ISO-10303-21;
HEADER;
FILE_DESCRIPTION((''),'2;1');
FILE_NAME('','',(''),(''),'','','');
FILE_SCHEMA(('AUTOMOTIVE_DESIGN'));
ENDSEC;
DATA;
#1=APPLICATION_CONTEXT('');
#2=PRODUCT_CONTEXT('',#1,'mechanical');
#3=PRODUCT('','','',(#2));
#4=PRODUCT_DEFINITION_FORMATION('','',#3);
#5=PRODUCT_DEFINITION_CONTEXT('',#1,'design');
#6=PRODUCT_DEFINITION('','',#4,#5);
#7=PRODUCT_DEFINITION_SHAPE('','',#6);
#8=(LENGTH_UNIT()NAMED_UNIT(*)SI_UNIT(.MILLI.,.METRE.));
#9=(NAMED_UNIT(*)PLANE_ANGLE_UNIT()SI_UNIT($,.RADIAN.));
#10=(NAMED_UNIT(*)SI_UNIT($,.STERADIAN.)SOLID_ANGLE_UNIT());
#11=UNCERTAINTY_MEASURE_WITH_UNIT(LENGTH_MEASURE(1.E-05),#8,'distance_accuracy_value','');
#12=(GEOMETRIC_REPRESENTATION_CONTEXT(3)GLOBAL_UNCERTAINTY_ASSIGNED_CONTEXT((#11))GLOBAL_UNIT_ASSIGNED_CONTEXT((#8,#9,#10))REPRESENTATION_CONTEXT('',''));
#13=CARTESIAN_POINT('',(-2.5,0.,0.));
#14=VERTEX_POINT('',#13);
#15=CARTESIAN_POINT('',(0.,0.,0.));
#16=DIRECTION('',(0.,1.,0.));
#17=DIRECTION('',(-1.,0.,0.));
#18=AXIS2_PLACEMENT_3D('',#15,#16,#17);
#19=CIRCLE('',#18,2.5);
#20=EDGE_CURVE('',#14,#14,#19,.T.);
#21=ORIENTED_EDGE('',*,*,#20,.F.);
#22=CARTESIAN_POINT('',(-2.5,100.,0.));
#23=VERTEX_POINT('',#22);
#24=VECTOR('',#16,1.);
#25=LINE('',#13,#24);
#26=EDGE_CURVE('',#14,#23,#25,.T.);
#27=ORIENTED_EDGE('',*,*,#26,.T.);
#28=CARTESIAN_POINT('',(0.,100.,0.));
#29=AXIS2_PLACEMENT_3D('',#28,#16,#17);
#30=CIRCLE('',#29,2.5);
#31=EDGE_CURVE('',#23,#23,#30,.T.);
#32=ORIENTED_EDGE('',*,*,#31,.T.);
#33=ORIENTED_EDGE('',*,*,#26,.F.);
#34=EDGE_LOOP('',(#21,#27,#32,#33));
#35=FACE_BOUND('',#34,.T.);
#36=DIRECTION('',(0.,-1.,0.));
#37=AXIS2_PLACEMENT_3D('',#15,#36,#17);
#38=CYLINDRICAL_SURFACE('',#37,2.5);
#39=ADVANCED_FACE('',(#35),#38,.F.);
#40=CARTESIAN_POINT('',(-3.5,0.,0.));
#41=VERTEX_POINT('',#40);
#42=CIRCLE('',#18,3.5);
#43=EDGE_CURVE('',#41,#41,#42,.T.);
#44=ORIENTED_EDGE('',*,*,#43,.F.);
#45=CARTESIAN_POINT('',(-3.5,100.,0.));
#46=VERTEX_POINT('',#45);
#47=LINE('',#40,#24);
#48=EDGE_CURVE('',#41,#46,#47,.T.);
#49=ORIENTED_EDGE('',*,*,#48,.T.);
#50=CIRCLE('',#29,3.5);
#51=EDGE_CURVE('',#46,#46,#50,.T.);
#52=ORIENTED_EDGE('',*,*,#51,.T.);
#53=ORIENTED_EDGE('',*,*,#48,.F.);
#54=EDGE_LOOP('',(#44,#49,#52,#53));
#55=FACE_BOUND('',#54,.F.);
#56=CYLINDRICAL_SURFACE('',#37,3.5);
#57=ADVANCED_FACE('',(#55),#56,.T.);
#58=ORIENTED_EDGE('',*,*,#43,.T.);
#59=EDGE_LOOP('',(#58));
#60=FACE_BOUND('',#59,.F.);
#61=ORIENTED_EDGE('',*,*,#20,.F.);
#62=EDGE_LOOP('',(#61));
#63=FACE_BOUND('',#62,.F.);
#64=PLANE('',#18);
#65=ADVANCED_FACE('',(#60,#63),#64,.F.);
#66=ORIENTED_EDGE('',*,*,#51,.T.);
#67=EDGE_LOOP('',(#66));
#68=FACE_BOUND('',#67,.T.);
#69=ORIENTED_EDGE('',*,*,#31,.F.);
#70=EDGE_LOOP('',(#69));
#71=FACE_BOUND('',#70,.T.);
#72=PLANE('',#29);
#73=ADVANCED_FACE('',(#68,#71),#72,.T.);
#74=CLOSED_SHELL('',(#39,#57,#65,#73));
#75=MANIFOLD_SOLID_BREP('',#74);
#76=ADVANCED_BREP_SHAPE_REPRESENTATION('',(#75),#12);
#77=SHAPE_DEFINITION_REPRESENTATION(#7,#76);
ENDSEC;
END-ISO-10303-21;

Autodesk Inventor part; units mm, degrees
ref_plane "YZ Plane" through (0, 0, 0) normal (1, 0, 0) x (0, 1, 0)
ref_plane "XZ Plane" through (0, 0, 0) normal (0, 1, 0) x (-1, 0, 0)
ref_plane "XY Plane" through (0, 0, 0) normal (0, 0, 1) x (1, 0, 0)
sketch "Sketch1" plane through (0, 0, 0) normal (0, 1, 0) x (-1, 0, 0)
  circle A0 centre (0, 0) radius 2.5
  circle A1 centre (0, 0) radius 3.5
  dimension "d0" = 5
  dimension "d1" = 7
extrude "Extrusion1" add sketch "Sketch1" along normal blind 100
properties part number "Upper_Rod_Spacer"
